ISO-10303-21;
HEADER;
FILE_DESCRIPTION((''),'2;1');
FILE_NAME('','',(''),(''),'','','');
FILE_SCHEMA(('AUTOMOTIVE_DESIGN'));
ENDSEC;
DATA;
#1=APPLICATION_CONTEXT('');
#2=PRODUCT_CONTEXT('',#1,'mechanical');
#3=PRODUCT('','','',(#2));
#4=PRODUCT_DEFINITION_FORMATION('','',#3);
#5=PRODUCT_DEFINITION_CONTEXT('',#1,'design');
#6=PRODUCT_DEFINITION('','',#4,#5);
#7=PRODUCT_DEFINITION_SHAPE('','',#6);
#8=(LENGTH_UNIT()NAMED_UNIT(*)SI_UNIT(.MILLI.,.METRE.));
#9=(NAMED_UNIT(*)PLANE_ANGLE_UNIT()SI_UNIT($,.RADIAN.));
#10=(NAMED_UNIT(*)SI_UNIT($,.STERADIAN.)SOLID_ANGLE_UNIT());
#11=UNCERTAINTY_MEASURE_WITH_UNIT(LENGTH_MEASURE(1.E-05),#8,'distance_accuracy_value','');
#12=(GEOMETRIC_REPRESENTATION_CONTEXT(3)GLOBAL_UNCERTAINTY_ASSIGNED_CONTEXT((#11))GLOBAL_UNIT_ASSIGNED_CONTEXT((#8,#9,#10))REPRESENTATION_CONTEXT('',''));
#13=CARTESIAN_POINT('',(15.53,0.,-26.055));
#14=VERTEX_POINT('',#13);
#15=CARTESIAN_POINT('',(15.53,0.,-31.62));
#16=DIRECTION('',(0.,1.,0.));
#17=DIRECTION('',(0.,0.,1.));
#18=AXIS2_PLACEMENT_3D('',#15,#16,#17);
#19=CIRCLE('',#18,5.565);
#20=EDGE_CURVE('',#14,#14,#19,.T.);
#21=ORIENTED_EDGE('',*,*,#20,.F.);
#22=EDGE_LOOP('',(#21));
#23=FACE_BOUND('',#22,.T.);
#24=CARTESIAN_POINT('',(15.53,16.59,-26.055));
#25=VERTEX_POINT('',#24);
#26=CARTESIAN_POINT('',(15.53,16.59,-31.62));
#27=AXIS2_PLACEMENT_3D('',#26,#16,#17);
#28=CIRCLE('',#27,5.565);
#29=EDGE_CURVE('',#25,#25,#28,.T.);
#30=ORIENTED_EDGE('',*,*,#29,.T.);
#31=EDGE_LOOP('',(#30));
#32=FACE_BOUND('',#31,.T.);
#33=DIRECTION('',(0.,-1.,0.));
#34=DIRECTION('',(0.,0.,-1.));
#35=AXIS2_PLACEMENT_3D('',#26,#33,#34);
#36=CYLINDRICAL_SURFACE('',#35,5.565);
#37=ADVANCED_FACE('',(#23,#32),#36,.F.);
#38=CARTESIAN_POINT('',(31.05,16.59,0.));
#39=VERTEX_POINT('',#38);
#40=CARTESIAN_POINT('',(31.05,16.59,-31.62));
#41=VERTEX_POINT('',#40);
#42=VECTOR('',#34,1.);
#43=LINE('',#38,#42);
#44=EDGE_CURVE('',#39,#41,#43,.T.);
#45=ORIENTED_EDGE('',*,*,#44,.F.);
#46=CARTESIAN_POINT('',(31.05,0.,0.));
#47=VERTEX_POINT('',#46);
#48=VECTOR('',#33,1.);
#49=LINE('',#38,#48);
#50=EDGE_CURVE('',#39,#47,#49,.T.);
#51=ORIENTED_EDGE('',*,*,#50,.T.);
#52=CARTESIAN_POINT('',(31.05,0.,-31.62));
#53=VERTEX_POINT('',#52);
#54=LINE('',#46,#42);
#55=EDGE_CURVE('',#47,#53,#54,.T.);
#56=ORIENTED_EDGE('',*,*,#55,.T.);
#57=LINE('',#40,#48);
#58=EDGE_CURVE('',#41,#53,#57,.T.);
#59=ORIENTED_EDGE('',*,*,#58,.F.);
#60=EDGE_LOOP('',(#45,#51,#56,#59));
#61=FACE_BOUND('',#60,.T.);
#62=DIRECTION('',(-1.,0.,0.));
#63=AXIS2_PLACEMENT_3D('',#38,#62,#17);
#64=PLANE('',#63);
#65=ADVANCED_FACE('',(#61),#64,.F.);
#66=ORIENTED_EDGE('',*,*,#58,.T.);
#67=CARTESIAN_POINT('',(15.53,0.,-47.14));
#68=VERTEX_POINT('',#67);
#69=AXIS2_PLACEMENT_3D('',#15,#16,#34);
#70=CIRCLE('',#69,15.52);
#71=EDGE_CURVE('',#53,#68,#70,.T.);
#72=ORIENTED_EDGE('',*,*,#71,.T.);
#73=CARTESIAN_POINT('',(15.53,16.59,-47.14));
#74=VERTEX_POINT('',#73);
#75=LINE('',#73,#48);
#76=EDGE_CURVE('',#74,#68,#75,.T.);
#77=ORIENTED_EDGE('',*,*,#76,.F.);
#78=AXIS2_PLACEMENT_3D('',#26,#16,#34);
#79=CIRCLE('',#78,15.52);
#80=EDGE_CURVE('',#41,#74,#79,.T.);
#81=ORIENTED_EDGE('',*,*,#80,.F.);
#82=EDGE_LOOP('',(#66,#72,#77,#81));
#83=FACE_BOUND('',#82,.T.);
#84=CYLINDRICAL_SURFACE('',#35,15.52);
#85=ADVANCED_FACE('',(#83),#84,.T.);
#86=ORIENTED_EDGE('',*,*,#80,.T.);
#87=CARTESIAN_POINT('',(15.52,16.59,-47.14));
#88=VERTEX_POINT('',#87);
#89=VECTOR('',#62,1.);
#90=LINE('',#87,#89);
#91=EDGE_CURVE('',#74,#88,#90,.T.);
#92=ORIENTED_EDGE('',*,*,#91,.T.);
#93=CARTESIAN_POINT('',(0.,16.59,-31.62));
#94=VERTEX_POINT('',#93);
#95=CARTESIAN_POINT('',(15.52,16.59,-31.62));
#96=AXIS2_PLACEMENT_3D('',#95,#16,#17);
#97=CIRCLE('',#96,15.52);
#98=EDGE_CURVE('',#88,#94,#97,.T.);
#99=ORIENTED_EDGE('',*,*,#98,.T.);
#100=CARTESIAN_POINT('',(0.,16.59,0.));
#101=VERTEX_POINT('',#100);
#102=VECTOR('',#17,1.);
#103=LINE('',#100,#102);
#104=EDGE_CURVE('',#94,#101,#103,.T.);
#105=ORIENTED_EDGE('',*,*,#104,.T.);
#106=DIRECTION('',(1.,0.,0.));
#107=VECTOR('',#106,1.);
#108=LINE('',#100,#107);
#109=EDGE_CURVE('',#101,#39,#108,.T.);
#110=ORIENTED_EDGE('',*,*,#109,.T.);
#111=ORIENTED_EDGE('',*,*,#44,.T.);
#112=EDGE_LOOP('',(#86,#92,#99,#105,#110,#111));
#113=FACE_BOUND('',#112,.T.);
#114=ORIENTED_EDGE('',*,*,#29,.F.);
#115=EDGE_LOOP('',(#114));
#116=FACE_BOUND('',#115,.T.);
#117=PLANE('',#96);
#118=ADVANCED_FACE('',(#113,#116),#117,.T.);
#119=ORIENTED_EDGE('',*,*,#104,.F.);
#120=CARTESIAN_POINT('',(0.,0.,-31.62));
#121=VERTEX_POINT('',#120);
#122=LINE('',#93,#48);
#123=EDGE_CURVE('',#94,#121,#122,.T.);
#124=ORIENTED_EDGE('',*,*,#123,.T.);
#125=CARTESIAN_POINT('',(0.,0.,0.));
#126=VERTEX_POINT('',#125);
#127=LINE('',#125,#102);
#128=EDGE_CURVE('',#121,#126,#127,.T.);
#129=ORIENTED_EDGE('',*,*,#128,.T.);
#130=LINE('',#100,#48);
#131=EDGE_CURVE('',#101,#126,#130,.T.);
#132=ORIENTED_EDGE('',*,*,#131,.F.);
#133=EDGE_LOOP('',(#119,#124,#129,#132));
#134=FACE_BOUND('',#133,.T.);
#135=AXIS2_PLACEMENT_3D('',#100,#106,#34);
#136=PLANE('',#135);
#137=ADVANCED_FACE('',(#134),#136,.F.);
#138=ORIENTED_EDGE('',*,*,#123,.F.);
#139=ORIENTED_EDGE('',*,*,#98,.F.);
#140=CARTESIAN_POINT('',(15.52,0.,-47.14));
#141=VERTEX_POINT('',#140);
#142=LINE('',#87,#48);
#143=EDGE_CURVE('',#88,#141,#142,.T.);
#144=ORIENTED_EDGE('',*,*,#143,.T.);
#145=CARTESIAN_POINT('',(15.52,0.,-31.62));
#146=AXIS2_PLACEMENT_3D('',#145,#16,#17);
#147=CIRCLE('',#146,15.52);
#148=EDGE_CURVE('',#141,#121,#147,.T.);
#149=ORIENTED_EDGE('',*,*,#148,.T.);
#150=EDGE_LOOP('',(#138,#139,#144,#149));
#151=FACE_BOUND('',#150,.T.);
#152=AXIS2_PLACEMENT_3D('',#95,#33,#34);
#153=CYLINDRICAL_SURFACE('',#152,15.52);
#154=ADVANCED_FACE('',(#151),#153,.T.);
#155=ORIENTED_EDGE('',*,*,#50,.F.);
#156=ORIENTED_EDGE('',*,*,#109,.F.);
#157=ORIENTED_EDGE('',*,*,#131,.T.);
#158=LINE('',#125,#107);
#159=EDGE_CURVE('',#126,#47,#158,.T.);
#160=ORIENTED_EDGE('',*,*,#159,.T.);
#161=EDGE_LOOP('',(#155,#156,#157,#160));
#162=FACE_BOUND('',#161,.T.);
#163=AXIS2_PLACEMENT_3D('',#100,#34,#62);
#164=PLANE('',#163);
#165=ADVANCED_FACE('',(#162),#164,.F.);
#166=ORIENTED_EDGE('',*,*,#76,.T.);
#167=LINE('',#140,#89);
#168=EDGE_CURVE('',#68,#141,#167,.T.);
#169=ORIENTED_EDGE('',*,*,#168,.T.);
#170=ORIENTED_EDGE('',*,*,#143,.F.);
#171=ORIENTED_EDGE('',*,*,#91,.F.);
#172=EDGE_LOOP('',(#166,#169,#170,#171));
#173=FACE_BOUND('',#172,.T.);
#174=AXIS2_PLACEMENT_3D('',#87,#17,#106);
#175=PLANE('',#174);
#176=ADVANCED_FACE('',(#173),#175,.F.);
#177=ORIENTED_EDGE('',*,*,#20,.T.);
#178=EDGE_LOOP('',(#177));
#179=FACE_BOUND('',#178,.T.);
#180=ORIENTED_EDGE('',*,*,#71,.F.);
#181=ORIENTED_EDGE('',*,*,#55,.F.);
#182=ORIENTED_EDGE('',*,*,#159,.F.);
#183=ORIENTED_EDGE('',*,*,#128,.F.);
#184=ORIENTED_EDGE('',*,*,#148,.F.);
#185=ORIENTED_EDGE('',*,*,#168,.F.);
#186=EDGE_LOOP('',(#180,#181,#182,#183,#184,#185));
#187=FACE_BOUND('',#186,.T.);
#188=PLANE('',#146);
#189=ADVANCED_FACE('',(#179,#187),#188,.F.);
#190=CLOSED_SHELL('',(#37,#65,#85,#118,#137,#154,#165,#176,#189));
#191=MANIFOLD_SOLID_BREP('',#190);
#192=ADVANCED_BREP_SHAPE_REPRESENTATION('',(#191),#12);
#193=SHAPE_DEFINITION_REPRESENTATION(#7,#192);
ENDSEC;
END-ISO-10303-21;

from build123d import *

# Parameters (mm, degrees)
SKETCH1_R           = 5.565
BOSS_EXTRUDE1_DEPTH = 16.59


with BuildPart() as part:
    # Sketch1 → Boss-Extrude1 (new body)
    with BuildSketch(Plane(origin=(0, 0, 0), x_dir=(1, 0, 0), z_dir=(0, 1, 0))):
        with BuildLine():
            Line((0, 0), (31.05, 0))
            Line((31.05, 0), (31.05, 31.62))
            ThreePointArc((31.05, 31.62), (26.504297244, 42.594297244), (15.53, 47.14))
            Line((15.53, 47.14), (15.52, 47.14))
            ThreePointArc((15.52, 47.14), (4.545702756, 42.594297244), (0, 31.62))
            Line((0, 31.62), (0, 0))
        make_face()
        with Locations((15.53, 31.62)):
            Circle(SKETCH1_R, mode=Mode.SUBTRACT)
    extrude(amount=BOSS_EXTRUDE1_DEPTH)


solid = part.part
